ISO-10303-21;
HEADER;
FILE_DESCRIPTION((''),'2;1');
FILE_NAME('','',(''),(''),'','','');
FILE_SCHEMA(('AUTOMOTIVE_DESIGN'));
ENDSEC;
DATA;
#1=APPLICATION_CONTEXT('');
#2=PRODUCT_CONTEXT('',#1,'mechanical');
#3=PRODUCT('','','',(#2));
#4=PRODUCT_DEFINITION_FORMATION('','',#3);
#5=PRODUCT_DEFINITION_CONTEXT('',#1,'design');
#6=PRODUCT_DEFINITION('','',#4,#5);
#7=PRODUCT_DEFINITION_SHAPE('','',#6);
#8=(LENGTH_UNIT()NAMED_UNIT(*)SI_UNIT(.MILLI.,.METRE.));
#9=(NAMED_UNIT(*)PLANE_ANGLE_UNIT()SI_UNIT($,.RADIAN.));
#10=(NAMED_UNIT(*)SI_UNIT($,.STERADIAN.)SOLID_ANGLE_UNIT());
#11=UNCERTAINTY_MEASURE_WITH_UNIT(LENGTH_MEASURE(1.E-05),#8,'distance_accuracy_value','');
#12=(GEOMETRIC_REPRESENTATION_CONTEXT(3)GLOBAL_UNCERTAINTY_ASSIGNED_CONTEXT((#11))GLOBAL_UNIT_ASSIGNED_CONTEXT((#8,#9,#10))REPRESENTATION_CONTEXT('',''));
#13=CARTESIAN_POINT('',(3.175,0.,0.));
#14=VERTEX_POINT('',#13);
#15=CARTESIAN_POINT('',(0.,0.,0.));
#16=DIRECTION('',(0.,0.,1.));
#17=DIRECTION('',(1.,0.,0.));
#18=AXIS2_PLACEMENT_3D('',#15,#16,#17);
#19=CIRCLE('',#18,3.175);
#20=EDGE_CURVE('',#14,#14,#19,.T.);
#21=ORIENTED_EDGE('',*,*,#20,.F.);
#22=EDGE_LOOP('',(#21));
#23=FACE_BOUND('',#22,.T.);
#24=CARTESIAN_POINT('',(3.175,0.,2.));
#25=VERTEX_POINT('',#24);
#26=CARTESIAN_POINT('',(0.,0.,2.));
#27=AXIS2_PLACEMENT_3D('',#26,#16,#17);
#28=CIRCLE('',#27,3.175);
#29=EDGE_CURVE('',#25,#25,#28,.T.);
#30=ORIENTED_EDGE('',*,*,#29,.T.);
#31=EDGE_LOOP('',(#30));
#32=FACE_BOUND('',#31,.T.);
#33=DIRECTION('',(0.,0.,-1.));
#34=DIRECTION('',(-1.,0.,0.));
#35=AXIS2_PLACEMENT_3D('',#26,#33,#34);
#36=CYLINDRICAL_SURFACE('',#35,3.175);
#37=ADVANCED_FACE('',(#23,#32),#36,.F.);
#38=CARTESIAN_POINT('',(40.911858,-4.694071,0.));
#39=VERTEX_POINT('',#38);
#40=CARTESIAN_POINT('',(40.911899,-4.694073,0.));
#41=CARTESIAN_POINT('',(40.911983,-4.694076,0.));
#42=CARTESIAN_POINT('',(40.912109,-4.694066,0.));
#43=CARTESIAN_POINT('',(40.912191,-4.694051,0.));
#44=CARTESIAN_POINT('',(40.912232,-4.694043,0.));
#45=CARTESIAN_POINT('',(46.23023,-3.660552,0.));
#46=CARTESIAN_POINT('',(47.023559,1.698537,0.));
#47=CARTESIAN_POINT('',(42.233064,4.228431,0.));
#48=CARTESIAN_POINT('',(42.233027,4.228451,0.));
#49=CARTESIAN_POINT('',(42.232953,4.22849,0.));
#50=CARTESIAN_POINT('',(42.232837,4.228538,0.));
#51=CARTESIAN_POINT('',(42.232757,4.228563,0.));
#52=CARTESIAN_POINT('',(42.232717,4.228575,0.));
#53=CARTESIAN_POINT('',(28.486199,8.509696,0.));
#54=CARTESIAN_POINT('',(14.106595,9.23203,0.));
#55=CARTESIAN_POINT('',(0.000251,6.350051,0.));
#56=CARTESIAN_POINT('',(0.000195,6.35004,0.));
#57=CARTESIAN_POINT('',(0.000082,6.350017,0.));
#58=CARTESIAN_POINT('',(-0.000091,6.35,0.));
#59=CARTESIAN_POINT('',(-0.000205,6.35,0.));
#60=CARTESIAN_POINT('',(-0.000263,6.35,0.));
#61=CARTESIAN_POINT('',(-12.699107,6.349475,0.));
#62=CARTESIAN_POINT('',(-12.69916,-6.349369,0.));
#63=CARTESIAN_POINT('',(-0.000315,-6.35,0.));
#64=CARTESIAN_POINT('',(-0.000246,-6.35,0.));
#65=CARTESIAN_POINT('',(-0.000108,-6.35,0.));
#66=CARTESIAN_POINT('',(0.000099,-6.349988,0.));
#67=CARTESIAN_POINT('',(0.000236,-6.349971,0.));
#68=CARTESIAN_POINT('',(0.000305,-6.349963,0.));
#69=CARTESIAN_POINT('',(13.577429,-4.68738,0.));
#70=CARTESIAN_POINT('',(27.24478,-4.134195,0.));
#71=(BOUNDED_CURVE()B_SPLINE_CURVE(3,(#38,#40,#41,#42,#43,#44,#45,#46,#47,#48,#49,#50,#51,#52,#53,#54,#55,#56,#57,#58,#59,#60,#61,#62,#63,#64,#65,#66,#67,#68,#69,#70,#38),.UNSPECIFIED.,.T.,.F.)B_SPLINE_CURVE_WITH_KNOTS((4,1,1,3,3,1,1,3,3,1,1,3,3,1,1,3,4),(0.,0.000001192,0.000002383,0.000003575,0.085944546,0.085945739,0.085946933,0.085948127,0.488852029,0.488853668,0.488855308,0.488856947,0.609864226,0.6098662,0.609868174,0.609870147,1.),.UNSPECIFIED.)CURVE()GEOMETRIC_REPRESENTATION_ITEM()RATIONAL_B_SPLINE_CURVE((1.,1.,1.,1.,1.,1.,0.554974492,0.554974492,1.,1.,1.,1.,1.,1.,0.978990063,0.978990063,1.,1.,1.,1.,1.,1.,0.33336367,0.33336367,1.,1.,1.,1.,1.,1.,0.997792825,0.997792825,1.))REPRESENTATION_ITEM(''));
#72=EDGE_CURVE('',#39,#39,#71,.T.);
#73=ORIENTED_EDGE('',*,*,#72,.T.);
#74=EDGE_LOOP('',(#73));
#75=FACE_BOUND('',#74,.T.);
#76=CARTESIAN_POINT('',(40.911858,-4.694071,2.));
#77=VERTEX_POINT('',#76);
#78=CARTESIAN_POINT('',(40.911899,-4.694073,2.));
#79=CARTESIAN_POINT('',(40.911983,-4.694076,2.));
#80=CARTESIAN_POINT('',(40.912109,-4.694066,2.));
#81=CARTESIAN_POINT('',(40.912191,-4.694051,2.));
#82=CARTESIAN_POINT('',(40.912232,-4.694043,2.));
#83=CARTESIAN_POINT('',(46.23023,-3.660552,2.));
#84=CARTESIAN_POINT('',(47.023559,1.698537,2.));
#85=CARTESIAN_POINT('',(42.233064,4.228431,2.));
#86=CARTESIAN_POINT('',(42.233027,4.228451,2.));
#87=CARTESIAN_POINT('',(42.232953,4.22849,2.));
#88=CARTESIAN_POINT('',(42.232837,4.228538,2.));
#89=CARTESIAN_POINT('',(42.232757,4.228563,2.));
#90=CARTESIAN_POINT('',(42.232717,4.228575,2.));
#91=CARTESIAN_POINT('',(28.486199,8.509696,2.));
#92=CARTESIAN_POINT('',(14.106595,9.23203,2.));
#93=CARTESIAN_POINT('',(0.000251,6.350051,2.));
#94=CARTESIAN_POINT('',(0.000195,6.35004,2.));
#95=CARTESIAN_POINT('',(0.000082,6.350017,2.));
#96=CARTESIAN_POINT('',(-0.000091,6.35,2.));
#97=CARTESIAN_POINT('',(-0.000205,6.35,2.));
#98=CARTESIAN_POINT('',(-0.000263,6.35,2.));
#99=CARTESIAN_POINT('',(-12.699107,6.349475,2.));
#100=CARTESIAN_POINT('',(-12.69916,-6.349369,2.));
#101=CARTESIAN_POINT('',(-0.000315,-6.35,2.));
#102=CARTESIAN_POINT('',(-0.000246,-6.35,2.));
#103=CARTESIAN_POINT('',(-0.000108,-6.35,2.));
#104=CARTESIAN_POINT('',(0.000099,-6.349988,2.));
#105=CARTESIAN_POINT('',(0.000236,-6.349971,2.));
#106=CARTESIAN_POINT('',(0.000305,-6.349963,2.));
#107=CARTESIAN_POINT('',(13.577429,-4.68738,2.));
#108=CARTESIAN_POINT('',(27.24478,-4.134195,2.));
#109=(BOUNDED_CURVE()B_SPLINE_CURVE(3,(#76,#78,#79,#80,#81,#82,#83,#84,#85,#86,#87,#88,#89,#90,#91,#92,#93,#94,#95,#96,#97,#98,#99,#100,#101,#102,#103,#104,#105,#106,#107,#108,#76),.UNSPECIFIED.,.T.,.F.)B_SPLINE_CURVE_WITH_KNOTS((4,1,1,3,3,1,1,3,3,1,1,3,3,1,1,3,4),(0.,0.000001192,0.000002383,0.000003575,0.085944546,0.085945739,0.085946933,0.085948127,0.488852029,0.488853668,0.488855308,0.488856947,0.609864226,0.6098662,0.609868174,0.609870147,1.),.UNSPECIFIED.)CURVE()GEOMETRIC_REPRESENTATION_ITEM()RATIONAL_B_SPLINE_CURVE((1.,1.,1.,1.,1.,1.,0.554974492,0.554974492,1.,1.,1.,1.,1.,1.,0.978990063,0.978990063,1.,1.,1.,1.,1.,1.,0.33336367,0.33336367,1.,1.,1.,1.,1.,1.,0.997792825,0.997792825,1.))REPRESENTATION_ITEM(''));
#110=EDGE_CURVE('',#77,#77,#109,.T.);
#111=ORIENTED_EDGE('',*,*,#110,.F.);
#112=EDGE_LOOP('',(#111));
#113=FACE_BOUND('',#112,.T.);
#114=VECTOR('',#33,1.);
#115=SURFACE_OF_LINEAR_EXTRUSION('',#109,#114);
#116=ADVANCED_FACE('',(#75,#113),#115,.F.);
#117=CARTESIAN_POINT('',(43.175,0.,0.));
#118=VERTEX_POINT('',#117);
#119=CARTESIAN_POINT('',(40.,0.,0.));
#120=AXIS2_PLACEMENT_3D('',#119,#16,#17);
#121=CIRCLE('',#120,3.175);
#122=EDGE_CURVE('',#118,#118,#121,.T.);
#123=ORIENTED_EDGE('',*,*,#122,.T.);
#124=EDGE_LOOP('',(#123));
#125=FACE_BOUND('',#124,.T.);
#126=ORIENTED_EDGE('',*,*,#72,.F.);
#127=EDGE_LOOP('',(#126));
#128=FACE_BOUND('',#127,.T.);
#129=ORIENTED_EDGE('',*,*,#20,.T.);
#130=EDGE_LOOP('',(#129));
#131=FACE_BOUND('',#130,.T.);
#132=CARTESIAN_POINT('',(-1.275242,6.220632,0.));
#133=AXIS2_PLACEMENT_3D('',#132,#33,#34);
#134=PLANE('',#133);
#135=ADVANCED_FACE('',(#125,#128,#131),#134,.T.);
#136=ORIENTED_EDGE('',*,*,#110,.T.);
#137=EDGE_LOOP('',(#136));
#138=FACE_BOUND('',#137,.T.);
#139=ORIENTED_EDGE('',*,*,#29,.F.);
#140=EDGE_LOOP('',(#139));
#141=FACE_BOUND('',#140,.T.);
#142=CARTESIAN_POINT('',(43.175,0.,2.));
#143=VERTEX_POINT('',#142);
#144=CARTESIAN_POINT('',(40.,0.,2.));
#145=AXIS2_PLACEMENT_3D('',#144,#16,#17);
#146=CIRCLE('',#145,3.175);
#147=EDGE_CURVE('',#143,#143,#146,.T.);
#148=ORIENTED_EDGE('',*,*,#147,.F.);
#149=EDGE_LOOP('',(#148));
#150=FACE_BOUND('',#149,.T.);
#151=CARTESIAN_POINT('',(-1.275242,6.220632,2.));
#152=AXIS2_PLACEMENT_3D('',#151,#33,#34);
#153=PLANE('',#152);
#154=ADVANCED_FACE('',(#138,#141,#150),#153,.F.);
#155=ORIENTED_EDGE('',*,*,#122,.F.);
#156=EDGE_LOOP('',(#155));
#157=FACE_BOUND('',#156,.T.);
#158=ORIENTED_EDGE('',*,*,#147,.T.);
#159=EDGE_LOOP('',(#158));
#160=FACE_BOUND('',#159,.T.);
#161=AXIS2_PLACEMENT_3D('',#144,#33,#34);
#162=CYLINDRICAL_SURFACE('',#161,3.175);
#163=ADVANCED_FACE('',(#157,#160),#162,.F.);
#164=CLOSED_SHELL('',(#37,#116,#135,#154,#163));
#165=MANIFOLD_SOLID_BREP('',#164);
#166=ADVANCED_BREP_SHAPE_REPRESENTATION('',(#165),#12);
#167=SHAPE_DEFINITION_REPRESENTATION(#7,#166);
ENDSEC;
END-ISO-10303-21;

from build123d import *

# Parameters (mm, degrees)
CROQUIS1_R              = 3.175
SALIENTE_EXTRUIR1_DEPTH = 2


with BuildPart() as part:
    # Croquis1 → Saliente-Extruir1 (new body)
    with BuildSketch(Plane.XY):
        with BuildLine():
            add(Edge.make_bspline(
                [(40.911857792, -4.694071276), (27.244779748, -4.134195474), (13.577429244, -4.687380242), (0.000304994, -6.349962652), (0.00023646, -6.349971044), (9.9393e-05, -6.349987829), (-0.000108156, -6.35), (-0.000246247, -6.349999996), (-0.000315292, -6.349999992), (-12.69915953, -6.349369465), (-12.69910687, 6.349474788), (-0.000262627, 6.349999995), (-0.000205283, 6.349999997), (-9.0596e-05, 6.35), (8.2365e-05, 6.350016828), (0.000194731, 6.350039785), (0.000250915, 6.350051263), (14.10659534, 9.232030386), (28.486198573, 8.509695588), (42.232716949, 4.228575495), (42.23275682, 4.228563078), (42.23283656, 4.228538244), (42.232953121, 4.228489517), (42.233026973, 4.228450516), (42.233063899, 4.228431016), (47.023559261, 1.698537017), (46.230230281, -3.660552327), (40.912231856, -4.694042636), (40.912190938, -4.694050588), (40.9121091, -4.694066491), (40.91198274, -4.694076395), (40.911899442, -4.694072982), (40.911857792, -4.694071276)],
                knots=[0, 0, 0, 0, 0.390129853, 0.390129853, 0.390129853, 0.390131826, 0.3901338, 0.390135774, 0.390135774, 0.390135774, 0.511143053, 0.511143053, 0.511143053, 0.511144692, 0.511146332, 0.511147971, 0.511147971, 0.511147971, 0.914051873, 0.914051873, 0.914051873, 0.914053067, 0.914054261, 0.914055454, 0.914055454, 0.914055454, 0.999996425, 0.999996425, 0.999996425, 0.999997617, 0.999998808, 1, 1, 1, 1], degree=3, weights=[1, 0.997792825, 0.997792825, 1, 1, 1, 1, 1, 1, 0.33336367, 0.33336367, 1, 1, 1, 1, 1, 1, 0.978990063, 0.978990063, 1, 1, 1, 1, 1, 1, 0.554974492, 0.554974492, 1, 1, 1, 1, 1, 1]))
        make_face()
        with Locations((40, 0)):
            Circle(CROQUIS1_R, mode=Mode.SUBTRACT)
        Circle(CROQUIS1_R, mode=Mode.SUBTRACT)
    extrude(amount=SALIENTE_EXTRUIR1_DEPTH)


solid = part.part
